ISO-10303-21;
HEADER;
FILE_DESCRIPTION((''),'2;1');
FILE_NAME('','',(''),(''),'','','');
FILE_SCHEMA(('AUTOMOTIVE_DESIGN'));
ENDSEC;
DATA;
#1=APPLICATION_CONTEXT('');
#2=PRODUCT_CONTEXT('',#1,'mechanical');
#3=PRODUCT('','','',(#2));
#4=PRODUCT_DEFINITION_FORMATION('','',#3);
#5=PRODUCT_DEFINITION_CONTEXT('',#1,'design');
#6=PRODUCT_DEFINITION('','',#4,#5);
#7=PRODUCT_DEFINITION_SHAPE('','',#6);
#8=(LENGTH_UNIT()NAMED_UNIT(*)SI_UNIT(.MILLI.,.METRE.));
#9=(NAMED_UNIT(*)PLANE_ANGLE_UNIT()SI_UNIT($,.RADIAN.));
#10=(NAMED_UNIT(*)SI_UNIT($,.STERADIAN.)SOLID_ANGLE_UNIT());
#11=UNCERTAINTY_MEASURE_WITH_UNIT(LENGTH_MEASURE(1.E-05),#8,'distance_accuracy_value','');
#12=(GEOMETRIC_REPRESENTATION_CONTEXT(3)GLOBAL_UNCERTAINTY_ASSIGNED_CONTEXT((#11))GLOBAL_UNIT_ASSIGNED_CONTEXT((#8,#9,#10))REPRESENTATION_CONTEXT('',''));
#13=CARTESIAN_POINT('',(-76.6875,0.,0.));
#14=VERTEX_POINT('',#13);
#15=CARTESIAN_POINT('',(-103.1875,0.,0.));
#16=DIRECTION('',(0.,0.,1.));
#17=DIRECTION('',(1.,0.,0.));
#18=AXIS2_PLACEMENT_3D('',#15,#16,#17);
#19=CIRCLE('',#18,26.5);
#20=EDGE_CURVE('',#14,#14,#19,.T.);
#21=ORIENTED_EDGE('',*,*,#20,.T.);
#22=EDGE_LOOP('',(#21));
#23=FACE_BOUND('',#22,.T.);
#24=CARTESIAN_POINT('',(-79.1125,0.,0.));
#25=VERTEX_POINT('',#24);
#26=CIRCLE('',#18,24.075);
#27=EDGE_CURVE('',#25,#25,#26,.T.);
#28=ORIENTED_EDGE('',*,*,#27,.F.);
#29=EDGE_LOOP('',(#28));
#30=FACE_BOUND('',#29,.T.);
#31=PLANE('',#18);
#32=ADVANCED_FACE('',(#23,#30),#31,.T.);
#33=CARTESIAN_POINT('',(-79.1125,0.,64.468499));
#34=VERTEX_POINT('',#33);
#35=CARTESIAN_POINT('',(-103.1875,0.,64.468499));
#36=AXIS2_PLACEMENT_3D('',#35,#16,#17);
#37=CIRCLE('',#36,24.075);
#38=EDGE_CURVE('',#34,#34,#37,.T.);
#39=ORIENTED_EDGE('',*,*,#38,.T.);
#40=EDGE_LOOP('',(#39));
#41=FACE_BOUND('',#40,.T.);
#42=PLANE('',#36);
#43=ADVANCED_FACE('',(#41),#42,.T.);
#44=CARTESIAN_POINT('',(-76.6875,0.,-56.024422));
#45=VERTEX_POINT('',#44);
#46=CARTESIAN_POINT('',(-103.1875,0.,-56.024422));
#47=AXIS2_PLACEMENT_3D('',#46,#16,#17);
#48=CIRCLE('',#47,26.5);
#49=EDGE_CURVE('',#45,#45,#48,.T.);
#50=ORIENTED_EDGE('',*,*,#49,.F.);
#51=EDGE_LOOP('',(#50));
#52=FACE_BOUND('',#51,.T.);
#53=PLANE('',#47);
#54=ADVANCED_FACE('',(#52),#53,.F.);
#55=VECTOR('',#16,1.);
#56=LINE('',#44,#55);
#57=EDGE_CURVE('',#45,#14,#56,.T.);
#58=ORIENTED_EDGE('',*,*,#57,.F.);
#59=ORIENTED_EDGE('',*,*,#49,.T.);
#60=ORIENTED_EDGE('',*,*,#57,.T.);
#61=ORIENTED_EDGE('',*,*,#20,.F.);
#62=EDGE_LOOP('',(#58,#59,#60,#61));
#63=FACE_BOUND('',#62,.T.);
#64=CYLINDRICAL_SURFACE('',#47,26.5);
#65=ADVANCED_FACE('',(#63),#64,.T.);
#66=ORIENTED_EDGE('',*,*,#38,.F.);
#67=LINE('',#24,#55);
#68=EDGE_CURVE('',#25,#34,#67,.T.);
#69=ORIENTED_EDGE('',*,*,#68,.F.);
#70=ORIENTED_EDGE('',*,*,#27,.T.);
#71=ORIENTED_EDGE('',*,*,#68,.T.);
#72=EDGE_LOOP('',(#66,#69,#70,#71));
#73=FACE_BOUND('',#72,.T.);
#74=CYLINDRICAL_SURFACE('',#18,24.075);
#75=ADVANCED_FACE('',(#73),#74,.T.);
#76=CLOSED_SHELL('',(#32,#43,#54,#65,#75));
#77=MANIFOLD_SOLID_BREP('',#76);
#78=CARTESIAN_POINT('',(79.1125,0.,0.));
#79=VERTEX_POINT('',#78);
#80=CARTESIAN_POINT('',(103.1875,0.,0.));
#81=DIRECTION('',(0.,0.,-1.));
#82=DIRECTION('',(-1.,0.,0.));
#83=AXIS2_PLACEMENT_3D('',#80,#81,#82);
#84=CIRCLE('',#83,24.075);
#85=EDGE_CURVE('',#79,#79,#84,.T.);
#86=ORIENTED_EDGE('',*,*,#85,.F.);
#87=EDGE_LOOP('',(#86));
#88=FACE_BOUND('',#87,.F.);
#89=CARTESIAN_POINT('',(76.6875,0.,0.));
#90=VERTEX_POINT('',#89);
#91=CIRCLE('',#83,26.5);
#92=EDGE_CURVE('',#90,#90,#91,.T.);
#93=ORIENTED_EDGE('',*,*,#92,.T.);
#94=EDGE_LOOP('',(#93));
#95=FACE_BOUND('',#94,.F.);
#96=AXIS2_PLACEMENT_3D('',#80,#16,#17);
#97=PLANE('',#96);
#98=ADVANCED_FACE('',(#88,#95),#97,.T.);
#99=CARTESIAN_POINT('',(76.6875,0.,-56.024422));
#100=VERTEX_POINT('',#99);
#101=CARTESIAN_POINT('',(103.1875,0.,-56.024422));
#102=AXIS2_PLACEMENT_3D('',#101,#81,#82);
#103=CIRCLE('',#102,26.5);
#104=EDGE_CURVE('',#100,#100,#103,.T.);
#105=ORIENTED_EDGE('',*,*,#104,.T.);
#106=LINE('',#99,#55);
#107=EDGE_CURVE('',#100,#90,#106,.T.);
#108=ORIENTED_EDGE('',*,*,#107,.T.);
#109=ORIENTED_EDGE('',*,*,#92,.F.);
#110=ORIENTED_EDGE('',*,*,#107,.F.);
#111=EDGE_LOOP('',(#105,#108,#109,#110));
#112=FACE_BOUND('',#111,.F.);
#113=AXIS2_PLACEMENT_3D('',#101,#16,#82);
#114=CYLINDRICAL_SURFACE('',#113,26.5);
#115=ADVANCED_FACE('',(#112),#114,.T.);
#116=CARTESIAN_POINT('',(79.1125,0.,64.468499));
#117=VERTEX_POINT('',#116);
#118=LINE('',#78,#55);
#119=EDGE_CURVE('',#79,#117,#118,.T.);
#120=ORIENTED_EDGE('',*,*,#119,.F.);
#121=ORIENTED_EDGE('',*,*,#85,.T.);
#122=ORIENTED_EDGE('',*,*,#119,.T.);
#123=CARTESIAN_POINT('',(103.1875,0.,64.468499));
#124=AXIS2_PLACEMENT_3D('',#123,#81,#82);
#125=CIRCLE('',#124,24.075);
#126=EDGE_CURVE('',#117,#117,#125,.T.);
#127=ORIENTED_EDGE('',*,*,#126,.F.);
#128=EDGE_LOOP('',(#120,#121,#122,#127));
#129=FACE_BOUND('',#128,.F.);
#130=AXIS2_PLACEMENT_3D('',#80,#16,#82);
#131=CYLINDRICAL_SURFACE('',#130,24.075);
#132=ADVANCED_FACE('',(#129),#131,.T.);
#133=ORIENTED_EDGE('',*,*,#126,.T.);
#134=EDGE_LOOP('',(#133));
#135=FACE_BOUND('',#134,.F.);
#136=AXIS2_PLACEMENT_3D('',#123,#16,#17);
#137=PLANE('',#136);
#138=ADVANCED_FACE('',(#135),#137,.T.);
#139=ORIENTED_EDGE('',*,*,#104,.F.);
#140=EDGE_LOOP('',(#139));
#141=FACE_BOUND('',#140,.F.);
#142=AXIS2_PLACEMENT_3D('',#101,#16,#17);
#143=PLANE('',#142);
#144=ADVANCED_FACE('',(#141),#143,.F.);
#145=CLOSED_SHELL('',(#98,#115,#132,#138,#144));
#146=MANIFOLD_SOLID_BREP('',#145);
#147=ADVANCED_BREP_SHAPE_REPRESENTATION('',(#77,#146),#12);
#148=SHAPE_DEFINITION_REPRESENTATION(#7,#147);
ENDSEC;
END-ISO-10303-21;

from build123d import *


with BuildPart() as f1:
    # F0 (on Front) → F1 (revolve)
    with BuildSketch(Plane.XZ):
        Polygon((-79.1125, 64.468499), (-103.1875, 64.468499), (-103.1875, 0), (-103.1875, -56.024422), (-76.6875, -56.024422), (-76.6875, 0), (-79.1125, 0), align=None)
    revolve(axis=Axis((-103.1875, 0, 56.685284), (0, 0, 1)))


with BuildPart() as f2_1:
    # F2: instance of F1
    add(f1.part.mirror(Plane.YZ))


solid = Compound([f1.part, f2_1.part])
